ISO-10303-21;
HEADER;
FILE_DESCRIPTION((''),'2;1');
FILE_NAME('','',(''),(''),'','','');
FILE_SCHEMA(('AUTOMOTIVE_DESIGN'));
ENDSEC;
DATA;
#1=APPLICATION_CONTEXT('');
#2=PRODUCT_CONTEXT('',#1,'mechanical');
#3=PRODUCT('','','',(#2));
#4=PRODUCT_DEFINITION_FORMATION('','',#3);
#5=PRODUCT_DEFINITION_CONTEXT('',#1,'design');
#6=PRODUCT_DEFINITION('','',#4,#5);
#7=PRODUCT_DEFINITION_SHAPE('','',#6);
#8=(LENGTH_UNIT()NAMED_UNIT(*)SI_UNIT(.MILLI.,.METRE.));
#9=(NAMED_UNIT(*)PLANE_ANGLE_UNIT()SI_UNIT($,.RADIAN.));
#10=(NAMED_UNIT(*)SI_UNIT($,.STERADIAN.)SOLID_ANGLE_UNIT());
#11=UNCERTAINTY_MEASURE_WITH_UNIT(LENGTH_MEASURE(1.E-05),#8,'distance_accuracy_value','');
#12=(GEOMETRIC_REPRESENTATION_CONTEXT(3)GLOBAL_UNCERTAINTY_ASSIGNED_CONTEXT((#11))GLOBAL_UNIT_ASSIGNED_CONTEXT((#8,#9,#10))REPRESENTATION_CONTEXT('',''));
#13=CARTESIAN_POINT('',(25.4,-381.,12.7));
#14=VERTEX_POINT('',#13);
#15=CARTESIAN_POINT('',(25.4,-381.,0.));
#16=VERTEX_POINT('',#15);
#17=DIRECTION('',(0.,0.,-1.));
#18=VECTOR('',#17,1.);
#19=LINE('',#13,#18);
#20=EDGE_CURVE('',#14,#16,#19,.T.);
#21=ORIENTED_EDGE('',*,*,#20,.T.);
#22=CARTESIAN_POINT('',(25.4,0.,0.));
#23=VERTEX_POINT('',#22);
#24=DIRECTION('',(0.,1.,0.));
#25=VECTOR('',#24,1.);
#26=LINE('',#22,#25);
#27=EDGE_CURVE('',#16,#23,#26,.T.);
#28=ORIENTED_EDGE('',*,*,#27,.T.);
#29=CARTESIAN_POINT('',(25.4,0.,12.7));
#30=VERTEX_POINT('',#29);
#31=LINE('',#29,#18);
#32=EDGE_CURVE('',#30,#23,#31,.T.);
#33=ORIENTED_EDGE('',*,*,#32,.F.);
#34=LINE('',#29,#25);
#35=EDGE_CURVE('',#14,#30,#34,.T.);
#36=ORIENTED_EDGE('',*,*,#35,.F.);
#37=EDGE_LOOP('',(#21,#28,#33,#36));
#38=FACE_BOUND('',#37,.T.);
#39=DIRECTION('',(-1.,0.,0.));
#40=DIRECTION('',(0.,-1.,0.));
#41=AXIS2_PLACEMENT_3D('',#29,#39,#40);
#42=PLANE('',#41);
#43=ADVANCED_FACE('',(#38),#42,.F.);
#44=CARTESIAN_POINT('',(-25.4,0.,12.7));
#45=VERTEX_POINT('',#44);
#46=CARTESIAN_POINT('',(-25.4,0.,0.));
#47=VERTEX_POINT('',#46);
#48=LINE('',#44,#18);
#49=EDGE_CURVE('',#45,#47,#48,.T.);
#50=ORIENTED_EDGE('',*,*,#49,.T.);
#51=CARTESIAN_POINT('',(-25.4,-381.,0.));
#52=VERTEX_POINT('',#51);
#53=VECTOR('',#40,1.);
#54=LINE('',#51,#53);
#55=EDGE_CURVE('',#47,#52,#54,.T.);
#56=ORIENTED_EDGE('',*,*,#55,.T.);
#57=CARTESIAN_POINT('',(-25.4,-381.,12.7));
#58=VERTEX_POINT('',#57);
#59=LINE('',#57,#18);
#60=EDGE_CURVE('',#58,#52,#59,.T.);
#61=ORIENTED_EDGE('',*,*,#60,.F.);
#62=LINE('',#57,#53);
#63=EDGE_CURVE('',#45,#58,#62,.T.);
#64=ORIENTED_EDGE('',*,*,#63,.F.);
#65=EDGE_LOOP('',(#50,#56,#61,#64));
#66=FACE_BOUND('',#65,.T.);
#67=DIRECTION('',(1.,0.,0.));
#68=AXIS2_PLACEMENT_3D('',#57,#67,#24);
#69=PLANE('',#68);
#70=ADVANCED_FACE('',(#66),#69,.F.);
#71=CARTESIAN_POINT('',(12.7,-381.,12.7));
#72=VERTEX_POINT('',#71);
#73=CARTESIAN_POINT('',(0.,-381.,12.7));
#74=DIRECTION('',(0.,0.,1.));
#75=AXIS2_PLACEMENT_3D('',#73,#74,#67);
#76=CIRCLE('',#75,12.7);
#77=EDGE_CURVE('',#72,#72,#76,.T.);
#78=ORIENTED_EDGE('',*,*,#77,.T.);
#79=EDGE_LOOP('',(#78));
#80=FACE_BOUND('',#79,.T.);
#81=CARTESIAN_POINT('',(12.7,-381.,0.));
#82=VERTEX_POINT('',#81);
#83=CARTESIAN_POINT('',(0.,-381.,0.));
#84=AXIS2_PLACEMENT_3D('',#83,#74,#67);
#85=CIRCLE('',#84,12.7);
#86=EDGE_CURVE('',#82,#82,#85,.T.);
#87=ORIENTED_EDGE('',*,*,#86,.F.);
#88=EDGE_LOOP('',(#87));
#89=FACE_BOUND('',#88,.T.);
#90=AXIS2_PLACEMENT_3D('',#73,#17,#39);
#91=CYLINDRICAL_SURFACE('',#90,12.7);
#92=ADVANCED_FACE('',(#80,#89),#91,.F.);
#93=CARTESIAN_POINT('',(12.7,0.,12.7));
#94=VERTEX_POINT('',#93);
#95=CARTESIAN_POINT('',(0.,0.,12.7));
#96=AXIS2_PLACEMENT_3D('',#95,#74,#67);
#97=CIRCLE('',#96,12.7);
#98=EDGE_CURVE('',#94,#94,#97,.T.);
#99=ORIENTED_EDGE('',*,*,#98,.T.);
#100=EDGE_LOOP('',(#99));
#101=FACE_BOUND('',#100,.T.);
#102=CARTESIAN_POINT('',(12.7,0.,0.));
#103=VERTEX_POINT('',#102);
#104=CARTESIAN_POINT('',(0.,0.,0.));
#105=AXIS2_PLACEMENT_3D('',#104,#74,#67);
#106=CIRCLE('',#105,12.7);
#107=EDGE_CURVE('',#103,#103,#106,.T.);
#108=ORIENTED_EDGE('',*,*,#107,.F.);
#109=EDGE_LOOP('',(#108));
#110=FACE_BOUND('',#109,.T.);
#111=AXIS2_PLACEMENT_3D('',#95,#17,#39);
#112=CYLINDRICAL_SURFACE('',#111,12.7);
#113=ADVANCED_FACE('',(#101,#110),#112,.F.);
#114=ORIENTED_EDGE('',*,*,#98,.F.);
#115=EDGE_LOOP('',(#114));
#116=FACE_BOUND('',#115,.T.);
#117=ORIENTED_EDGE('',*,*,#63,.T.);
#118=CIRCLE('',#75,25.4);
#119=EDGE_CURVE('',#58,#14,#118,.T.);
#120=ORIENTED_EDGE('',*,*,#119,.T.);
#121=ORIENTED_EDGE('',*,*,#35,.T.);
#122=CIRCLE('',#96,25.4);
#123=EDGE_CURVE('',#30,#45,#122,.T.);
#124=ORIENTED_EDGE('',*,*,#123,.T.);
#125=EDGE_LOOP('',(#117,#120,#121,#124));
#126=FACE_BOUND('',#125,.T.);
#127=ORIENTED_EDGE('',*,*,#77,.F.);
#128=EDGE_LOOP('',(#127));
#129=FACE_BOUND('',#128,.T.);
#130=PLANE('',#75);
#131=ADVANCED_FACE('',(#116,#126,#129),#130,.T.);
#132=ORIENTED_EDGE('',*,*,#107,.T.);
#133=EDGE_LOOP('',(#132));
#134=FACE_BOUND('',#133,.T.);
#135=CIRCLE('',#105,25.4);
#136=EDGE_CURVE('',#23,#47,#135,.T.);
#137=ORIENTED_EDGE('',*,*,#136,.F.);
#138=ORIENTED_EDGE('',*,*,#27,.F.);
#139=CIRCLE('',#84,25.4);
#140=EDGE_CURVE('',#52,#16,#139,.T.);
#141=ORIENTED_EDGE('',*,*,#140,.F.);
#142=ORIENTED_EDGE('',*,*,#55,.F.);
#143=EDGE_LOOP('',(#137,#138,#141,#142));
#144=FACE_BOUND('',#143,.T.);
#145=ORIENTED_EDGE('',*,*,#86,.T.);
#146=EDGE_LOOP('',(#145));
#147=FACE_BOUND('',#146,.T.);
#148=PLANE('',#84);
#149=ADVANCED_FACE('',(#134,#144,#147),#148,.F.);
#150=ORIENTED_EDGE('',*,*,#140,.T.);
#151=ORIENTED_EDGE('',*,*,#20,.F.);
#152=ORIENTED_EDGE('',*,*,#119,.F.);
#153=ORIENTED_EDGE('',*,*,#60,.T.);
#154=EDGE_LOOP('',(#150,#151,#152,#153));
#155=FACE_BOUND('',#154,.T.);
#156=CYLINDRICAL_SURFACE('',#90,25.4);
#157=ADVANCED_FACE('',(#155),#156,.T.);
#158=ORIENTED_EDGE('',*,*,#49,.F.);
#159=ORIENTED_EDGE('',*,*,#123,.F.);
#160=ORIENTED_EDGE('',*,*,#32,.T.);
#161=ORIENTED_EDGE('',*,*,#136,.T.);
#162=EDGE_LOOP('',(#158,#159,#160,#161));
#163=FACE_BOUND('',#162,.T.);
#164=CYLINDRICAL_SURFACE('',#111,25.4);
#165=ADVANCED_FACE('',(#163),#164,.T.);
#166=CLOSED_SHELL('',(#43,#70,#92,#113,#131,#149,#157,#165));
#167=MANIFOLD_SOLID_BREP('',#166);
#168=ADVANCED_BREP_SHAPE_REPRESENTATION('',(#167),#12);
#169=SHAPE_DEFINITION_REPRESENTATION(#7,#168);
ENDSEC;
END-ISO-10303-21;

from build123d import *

# Parameters (mm, degrees)
SKETCH1_R           = 12.7
BOSS_EXTRUDE1_DEPTH = 12.7


with BuildPart() as part:
    # Sketch1 → Boss-Extrude1 (new body)
    with BuildSketch(Plane.XY):
        with BuildLine():
            Line((-25.4, -381), (-25.4, 0))
            ThreePointArc((-25.4, 0), (0, 25.4), (25.4, 0))
            Line((25.4, 0), (25.4, -381))
            ThreePointArc((25.4, -381), (0, -406.4), (-25.4, -381))
        make_face()
        Circle(SKETCH1_R, mode=Mode.SUBTRACT)
        with Locations((0, -381)):
            Circle(SKETCH1_R, mode=Mode.SUBTRACT)
    extrude(amount=BOSS_EXTRUDE1_DEPTH)


solid = part.part
